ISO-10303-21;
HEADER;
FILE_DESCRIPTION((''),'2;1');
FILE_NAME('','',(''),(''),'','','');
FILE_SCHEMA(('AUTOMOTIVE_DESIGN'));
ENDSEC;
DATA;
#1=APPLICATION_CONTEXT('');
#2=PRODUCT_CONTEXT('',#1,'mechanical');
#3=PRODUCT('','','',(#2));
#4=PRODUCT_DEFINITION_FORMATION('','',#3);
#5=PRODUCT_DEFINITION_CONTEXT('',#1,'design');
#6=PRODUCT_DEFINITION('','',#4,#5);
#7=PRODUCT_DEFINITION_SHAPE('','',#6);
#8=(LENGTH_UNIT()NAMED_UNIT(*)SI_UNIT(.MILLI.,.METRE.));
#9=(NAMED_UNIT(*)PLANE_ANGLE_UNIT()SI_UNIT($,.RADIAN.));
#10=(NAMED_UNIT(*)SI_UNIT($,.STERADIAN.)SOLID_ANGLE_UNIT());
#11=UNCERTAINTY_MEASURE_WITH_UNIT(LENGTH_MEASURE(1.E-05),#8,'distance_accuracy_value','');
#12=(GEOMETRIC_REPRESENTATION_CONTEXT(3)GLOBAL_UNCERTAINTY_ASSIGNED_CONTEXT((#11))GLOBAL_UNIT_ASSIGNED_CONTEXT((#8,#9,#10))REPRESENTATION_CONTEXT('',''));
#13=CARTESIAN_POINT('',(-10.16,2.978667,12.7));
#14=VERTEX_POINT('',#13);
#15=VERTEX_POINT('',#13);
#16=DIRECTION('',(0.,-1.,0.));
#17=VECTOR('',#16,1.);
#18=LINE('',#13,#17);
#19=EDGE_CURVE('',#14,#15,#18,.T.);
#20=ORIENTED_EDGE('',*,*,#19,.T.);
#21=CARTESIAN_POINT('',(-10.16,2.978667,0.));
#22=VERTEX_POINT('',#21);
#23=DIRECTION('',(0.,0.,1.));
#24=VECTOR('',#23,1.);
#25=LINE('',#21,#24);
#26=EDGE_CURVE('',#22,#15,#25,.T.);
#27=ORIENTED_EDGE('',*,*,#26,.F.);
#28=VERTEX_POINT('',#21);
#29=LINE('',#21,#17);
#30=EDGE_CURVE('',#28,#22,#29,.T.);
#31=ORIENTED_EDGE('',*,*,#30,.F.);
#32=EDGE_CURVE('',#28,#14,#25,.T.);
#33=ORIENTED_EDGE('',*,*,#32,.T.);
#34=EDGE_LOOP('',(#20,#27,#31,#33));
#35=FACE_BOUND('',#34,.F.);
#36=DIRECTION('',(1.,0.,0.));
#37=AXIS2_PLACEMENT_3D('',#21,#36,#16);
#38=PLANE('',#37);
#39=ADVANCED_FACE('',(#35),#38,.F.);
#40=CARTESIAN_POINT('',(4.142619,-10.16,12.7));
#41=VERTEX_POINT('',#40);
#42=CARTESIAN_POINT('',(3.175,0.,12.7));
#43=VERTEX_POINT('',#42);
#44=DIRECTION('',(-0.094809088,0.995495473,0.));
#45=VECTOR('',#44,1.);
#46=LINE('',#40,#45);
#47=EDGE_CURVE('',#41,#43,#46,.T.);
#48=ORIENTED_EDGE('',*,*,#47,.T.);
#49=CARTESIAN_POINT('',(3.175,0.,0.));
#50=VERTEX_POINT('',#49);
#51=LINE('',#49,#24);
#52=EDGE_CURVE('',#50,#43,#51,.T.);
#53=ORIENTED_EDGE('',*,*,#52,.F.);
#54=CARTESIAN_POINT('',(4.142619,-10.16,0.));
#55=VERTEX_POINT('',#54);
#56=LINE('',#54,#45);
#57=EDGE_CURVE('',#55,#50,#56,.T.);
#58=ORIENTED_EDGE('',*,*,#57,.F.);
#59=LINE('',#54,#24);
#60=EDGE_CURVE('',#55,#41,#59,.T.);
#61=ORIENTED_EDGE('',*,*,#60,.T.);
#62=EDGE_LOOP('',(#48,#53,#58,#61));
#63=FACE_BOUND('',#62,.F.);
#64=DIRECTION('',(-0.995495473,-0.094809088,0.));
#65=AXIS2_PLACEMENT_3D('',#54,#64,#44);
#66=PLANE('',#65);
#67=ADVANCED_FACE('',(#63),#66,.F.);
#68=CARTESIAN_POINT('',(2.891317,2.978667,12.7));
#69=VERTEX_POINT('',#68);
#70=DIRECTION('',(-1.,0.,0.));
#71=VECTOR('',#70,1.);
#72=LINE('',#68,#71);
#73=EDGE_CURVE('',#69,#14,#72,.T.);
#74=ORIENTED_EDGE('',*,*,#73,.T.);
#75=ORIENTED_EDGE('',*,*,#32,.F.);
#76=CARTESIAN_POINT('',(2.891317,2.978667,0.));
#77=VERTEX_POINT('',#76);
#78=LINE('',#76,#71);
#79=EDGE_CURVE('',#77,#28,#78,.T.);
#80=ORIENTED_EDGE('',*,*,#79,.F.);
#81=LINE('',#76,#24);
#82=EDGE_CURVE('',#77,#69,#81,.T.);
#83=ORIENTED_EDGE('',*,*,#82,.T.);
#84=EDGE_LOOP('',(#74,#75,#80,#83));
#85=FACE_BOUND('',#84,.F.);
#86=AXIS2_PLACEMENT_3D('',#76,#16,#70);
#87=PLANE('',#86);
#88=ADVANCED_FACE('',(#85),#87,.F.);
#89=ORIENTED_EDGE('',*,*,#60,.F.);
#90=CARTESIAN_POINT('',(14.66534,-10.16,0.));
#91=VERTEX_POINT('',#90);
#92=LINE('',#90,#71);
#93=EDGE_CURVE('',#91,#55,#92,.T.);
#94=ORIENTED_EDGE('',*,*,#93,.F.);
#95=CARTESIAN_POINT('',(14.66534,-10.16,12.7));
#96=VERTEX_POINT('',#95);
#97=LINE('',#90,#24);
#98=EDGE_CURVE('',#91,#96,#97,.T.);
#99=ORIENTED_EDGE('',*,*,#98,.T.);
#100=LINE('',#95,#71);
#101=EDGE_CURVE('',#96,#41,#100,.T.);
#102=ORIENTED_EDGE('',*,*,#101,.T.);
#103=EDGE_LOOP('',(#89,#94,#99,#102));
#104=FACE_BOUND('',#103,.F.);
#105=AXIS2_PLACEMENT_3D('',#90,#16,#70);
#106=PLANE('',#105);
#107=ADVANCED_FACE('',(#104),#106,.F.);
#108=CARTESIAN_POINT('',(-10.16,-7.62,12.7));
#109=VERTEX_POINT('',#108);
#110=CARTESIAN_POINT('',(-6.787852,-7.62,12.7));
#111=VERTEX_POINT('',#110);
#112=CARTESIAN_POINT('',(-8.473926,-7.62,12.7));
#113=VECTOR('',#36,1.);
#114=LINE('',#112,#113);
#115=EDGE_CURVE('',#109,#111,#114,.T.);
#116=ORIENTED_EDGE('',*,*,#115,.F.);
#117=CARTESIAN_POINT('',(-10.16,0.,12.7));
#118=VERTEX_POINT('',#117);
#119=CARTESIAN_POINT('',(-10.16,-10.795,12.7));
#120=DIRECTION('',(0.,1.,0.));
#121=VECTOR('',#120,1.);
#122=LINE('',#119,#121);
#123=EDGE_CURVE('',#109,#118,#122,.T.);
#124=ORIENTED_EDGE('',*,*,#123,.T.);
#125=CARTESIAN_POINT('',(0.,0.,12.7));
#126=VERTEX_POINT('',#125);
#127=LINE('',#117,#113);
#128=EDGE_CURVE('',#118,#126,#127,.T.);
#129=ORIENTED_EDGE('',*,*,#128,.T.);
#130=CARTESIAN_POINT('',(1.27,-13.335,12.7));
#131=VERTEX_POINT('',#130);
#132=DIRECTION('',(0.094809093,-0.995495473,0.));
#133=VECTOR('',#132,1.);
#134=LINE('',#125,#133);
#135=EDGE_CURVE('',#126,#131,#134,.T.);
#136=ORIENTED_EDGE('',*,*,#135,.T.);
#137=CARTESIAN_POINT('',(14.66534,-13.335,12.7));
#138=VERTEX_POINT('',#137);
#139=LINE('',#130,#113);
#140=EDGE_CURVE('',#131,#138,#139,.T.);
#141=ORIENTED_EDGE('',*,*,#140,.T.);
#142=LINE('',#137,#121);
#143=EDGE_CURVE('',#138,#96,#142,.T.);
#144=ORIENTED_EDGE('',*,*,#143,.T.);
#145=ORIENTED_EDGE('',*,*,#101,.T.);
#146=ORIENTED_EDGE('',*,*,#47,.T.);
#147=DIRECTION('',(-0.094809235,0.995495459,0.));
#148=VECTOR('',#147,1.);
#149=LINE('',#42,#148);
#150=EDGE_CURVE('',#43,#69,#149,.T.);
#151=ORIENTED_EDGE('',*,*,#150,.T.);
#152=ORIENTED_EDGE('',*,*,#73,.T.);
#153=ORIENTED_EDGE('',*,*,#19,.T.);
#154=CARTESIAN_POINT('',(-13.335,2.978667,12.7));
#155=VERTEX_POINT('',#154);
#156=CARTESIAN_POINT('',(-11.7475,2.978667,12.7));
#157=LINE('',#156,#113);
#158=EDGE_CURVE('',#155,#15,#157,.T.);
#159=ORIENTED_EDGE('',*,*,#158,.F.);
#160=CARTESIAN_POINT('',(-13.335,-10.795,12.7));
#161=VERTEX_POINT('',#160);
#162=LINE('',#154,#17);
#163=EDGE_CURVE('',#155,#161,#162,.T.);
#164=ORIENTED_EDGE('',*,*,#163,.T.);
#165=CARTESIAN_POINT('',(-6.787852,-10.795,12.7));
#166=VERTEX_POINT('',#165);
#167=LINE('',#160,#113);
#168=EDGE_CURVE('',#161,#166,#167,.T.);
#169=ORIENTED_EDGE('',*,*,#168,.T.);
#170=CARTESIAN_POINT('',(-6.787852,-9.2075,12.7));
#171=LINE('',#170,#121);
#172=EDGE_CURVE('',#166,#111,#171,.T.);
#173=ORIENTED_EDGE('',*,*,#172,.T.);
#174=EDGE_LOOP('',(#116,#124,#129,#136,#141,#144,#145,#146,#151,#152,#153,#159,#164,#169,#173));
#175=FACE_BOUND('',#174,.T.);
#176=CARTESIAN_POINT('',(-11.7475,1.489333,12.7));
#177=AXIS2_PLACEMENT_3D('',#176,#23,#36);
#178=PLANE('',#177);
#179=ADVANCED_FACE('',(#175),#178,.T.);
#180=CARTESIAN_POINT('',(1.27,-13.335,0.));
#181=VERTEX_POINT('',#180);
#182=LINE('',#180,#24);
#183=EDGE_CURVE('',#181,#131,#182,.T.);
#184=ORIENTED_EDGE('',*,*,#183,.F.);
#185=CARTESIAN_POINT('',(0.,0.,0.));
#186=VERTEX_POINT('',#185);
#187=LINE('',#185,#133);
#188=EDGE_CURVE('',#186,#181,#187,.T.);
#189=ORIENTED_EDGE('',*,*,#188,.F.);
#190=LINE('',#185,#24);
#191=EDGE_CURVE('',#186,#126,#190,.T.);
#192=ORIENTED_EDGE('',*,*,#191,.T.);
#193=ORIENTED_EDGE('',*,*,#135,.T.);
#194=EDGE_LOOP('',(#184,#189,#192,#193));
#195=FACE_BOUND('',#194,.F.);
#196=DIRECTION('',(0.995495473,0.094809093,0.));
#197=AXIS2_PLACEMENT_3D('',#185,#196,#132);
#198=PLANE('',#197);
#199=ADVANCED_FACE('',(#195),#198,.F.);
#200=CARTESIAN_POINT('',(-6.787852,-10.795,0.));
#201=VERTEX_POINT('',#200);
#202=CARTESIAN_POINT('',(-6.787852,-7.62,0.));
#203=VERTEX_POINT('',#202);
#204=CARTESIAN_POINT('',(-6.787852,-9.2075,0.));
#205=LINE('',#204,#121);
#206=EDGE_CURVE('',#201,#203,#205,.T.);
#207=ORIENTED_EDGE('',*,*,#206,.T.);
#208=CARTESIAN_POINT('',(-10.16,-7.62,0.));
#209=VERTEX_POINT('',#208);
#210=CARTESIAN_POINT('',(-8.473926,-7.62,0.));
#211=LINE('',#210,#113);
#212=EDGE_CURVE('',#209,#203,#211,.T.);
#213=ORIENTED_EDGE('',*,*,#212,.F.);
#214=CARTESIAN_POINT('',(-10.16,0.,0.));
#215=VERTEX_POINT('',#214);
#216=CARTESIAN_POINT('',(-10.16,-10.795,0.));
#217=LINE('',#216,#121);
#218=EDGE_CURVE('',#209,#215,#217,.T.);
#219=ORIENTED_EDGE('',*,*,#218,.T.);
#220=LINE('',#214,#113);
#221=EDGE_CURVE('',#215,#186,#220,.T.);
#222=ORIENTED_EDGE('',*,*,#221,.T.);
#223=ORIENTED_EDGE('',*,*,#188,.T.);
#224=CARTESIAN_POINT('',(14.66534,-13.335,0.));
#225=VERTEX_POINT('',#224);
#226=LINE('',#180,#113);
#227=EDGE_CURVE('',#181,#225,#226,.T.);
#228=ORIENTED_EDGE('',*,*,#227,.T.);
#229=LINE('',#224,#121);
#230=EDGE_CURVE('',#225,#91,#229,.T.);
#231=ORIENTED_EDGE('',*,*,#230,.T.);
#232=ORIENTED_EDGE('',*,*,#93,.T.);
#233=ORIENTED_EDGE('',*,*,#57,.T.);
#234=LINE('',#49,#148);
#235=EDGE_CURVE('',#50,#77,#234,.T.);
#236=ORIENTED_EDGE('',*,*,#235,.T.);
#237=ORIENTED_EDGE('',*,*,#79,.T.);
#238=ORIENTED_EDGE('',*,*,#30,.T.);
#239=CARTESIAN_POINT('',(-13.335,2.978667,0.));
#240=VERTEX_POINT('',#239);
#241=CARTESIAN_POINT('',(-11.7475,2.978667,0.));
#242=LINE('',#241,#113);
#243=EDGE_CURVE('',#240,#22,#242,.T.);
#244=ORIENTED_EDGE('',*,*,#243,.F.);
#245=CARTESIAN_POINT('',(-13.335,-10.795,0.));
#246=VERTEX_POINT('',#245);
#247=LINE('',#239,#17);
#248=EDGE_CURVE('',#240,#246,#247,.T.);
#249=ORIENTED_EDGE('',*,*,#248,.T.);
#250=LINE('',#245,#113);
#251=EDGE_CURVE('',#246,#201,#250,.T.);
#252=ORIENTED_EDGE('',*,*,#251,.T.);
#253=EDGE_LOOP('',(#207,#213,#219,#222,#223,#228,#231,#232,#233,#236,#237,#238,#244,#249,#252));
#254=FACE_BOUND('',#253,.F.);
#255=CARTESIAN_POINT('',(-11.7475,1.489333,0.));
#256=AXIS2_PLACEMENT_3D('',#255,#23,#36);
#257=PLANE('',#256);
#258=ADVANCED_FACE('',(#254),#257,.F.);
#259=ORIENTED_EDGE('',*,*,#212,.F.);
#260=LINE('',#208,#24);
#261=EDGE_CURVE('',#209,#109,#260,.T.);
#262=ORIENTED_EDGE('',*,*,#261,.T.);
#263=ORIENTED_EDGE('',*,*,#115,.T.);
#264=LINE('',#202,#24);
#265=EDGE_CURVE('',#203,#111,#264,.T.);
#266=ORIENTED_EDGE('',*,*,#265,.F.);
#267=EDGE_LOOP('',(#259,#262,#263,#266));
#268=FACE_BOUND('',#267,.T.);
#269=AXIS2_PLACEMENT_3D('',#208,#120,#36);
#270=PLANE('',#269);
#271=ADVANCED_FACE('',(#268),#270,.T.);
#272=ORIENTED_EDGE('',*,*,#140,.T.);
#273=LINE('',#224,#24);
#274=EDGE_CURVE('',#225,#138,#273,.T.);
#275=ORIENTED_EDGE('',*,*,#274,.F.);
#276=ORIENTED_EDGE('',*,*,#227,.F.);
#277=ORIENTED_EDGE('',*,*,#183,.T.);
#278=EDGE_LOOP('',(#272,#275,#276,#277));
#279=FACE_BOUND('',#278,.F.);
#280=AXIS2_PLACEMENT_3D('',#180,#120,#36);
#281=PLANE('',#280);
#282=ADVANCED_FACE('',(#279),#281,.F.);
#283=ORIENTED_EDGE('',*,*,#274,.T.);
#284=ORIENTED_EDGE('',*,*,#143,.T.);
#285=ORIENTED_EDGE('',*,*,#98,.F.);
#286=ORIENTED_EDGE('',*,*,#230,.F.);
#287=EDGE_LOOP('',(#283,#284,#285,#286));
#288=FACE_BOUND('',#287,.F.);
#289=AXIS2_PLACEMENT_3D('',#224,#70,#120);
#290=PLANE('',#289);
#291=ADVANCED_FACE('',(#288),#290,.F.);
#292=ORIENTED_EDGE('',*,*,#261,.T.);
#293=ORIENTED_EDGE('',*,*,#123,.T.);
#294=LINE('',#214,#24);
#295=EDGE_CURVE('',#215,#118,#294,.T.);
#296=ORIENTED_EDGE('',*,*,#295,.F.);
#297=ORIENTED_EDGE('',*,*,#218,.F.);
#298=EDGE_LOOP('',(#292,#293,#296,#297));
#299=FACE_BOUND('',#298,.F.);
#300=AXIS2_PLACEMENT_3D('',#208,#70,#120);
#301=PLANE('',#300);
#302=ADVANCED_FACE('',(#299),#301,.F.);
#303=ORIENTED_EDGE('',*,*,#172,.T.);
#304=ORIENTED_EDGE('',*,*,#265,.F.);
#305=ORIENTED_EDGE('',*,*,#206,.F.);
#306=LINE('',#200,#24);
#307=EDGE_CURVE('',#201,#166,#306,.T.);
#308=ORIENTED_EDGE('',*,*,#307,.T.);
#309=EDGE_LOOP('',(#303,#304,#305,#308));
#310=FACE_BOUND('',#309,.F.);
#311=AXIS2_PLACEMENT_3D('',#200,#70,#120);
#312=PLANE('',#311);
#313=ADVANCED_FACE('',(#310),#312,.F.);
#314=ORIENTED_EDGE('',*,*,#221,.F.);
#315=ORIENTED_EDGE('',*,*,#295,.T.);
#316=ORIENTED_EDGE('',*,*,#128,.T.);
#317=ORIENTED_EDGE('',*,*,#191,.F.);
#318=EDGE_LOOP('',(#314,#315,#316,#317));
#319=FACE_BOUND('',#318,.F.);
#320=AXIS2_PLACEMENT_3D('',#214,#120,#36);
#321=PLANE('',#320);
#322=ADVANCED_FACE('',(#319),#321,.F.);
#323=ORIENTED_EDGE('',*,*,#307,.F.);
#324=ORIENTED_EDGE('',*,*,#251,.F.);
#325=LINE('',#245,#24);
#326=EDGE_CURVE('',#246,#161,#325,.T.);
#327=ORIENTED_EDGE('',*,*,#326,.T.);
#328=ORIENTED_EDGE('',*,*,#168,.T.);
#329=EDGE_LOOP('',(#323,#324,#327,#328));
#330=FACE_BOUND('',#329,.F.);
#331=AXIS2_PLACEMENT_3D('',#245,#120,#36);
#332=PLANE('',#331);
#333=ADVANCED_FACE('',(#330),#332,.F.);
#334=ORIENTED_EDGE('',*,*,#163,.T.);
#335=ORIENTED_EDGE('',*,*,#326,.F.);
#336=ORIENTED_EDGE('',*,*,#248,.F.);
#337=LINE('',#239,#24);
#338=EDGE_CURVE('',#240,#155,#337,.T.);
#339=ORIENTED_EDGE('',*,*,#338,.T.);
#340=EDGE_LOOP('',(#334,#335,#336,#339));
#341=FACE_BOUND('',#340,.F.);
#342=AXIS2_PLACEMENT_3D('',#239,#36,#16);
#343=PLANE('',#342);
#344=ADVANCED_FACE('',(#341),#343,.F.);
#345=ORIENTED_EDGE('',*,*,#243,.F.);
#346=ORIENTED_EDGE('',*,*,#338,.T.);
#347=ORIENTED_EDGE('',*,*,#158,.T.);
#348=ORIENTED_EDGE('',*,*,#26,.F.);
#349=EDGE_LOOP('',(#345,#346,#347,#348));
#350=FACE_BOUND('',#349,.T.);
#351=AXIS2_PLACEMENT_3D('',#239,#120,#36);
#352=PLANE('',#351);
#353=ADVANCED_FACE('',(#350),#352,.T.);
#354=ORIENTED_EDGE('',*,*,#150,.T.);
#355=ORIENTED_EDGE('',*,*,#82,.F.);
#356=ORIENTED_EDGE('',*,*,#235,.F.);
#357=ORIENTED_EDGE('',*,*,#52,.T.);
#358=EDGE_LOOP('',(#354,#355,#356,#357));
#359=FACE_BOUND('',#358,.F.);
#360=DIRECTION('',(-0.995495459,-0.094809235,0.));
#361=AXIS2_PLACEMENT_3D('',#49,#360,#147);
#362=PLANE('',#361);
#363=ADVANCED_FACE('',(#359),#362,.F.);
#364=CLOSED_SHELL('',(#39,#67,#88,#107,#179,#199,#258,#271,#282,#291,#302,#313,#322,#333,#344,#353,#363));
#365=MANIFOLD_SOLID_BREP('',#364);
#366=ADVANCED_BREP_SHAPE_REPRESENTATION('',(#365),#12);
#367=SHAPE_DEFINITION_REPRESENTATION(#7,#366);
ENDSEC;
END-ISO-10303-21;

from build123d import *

# Parameters (mm, degrees)
F0_W     = 3.175
F0_H     = 2.978667
F0_H_2   = 7.62
F0_H_3   = 3.175
F0_W_2   = 3.372148
F1_DEPTH = 12.7


with BuildPart() as f1:
    # F0 (on Top) → F1 (new body)
    with BuildSketch(Plane.XY):
        with Locations((-11.7475, 1.489333)):
            Rectangle(F0_W, F0_H)
        Polygon((2.891317, 2.978667), (-10.16, 2.978667), (-10.16, 0), (0, 0), (3.175, 0), align=None)
        with Locations((-11.7475, -3.81)):
            Rectangle(F0_W, F0_H_2)
        with Locations((-11.7475, -9.2075)):
            Rectangle(F0_W, F0_H_3)
        with Locations((-8.473926, -9.2075)):
            Rectangle(F0_W_2, F0_H_3)
        Polygon((3.175, 0), (0, 0), (1.27, -13.335), (1.27, -10.16), (4.142619, -10.16), align=None)
        Polygon((1.27, -10.16), (1.27, -13.335), (4.445, -13.335), (4.142619, -10.16), align=None)
        Polygon((14.66534, -10.16), (4.142619, -10.16), (4.445, -13.335), (14.66534, -13.335), align=None)
    extrude(amount=F1_DEPTH)


solid = f1.part
